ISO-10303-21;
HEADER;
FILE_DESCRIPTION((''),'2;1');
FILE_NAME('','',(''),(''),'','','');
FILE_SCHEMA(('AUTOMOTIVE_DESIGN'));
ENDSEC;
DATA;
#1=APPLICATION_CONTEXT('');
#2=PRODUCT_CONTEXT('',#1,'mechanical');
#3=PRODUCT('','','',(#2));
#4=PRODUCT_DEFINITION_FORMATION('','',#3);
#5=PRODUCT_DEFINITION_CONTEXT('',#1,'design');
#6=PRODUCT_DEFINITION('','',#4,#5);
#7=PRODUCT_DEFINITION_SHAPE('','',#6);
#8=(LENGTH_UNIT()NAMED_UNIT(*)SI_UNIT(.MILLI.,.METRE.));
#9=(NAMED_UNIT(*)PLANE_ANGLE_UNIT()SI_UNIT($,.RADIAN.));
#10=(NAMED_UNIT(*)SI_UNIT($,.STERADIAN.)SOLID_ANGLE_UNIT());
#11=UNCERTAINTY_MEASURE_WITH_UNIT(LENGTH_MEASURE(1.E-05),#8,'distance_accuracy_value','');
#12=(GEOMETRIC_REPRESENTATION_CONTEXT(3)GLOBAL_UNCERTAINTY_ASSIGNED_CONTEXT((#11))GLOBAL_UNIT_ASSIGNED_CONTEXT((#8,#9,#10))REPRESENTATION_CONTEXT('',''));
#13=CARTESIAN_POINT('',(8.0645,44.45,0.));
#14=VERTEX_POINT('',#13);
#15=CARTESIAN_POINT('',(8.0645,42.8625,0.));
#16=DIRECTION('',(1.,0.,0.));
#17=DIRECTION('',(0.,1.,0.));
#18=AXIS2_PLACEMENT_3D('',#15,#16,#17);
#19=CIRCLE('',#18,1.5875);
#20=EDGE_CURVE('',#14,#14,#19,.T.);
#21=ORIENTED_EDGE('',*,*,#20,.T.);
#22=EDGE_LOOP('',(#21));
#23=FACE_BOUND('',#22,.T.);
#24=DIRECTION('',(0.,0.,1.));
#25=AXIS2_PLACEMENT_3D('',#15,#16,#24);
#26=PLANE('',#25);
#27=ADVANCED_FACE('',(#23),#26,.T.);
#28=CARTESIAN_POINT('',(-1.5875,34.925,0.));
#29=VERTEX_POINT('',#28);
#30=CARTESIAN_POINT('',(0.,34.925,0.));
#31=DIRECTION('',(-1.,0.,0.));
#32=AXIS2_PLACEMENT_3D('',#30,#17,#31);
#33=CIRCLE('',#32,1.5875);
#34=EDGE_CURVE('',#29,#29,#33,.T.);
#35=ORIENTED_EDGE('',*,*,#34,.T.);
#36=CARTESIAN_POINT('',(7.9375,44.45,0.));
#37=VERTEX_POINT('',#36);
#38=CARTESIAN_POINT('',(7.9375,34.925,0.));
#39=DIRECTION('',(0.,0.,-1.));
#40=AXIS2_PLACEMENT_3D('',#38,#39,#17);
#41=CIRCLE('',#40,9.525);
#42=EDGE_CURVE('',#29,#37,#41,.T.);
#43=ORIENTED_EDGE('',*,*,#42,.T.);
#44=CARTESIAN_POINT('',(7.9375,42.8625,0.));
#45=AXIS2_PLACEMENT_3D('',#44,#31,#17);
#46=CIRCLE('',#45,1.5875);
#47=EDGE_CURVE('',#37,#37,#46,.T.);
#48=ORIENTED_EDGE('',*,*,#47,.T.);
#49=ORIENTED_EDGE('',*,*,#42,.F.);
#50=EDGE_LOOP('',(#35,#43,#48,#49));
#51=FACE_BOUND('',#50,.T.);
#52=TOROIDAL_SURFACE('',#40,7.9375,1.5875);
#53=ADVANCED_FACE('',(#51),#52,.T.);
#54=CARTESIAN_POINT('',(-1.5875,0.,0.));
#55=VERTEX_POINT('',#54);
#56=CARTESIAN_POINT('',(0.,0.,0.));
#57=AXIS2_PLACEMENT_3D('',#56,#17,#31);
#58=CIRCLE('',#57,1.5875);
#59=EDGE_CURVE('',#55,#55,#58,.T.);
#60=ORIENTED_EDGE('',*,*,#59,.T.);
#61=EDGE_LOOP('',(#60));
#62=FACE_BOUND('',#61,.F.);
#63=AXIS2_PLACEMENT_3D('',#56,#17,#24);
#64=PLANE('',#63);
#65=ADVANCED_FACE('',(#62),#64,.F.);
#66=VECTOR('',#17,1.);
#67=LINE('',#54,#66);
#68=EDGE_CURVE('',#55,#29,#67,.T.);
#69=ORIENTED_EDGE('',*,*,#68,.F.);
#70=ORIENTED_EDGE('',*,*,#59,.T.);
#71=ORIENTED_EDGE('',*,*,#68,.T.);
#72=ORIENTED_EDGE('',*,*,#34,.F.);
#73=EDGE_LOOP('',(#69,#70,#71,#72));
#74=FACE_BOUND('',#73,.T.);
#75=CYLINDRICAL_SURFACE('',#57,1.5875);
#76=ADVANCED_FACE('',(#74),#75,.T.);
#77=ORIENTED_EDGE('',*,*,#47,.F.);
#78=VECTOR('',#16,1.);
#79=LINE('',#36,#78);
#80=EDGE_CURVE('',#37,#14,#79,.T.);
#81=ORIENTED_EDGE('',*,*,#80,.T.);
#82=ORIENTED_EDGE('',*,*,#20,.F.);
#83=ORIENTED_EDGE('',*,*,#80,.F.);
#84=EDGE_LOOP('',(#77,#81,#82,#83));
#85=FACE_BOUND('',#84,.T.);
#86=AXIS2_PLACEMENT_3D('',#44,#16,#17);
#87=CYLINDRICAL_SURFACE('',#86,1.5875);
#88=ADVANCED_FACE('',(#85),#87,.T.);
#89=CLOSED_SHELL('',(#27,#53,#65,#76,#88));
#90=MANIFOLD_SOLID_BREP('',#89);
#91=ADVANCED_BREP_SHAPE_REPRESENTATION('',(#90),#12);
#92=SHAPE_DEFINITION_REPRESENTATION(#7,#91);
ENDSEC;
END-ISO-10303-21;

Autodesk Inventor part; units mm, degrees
ref_plane "YZ Plane" through (0, 0, 0) normal (1, 0, 0) x (0, 1, 0)
ref_plane "XZ Plane" through (0, 0, 0) normal (0, 1, 0) x (-1, 0, 0)
ref_plane "XY Plane" through (0, 0, 0) normal (0, 0, 1) x (1, 0, 0)
sketch "Sketch1" plane through (0, 0, 0) normal (0, 0, 1) x (1, 0, 0)
  line L0 (0, 0) -> (0, 34.925)
  line L1 (0, 34.925) -> (7.9375, 34.925)
  line L2 (7.9375, 34.925) -> (7.9375, 42.8625)
  line L3 (7.9375, 42.8625) -> (8.0645, 42.8625)
  arc A0 (7.9375, 42.8625) -> (0, 34.925) centre (7.9375, 34.925) ccw
  dimension "d0" = 34.925
  dimension "d1" = 7.9375
  dimension "d2" = 7.9375
  dimension "d3" = 0.127
sketch "Sketch2" plane through (0, 0, 0) normal (0, 1, 0) x (-1, 0, 0)
  circle A0 centre (0, 0) radius 1.5875
  dimension "d4" = 3.175
sweep "Sweep1" add profiles "Sketch2" path "Sketch1" path curves L0 A0 L3
properties part number ".125InchServoDrivenShaft" material "Aluminum 6061"
